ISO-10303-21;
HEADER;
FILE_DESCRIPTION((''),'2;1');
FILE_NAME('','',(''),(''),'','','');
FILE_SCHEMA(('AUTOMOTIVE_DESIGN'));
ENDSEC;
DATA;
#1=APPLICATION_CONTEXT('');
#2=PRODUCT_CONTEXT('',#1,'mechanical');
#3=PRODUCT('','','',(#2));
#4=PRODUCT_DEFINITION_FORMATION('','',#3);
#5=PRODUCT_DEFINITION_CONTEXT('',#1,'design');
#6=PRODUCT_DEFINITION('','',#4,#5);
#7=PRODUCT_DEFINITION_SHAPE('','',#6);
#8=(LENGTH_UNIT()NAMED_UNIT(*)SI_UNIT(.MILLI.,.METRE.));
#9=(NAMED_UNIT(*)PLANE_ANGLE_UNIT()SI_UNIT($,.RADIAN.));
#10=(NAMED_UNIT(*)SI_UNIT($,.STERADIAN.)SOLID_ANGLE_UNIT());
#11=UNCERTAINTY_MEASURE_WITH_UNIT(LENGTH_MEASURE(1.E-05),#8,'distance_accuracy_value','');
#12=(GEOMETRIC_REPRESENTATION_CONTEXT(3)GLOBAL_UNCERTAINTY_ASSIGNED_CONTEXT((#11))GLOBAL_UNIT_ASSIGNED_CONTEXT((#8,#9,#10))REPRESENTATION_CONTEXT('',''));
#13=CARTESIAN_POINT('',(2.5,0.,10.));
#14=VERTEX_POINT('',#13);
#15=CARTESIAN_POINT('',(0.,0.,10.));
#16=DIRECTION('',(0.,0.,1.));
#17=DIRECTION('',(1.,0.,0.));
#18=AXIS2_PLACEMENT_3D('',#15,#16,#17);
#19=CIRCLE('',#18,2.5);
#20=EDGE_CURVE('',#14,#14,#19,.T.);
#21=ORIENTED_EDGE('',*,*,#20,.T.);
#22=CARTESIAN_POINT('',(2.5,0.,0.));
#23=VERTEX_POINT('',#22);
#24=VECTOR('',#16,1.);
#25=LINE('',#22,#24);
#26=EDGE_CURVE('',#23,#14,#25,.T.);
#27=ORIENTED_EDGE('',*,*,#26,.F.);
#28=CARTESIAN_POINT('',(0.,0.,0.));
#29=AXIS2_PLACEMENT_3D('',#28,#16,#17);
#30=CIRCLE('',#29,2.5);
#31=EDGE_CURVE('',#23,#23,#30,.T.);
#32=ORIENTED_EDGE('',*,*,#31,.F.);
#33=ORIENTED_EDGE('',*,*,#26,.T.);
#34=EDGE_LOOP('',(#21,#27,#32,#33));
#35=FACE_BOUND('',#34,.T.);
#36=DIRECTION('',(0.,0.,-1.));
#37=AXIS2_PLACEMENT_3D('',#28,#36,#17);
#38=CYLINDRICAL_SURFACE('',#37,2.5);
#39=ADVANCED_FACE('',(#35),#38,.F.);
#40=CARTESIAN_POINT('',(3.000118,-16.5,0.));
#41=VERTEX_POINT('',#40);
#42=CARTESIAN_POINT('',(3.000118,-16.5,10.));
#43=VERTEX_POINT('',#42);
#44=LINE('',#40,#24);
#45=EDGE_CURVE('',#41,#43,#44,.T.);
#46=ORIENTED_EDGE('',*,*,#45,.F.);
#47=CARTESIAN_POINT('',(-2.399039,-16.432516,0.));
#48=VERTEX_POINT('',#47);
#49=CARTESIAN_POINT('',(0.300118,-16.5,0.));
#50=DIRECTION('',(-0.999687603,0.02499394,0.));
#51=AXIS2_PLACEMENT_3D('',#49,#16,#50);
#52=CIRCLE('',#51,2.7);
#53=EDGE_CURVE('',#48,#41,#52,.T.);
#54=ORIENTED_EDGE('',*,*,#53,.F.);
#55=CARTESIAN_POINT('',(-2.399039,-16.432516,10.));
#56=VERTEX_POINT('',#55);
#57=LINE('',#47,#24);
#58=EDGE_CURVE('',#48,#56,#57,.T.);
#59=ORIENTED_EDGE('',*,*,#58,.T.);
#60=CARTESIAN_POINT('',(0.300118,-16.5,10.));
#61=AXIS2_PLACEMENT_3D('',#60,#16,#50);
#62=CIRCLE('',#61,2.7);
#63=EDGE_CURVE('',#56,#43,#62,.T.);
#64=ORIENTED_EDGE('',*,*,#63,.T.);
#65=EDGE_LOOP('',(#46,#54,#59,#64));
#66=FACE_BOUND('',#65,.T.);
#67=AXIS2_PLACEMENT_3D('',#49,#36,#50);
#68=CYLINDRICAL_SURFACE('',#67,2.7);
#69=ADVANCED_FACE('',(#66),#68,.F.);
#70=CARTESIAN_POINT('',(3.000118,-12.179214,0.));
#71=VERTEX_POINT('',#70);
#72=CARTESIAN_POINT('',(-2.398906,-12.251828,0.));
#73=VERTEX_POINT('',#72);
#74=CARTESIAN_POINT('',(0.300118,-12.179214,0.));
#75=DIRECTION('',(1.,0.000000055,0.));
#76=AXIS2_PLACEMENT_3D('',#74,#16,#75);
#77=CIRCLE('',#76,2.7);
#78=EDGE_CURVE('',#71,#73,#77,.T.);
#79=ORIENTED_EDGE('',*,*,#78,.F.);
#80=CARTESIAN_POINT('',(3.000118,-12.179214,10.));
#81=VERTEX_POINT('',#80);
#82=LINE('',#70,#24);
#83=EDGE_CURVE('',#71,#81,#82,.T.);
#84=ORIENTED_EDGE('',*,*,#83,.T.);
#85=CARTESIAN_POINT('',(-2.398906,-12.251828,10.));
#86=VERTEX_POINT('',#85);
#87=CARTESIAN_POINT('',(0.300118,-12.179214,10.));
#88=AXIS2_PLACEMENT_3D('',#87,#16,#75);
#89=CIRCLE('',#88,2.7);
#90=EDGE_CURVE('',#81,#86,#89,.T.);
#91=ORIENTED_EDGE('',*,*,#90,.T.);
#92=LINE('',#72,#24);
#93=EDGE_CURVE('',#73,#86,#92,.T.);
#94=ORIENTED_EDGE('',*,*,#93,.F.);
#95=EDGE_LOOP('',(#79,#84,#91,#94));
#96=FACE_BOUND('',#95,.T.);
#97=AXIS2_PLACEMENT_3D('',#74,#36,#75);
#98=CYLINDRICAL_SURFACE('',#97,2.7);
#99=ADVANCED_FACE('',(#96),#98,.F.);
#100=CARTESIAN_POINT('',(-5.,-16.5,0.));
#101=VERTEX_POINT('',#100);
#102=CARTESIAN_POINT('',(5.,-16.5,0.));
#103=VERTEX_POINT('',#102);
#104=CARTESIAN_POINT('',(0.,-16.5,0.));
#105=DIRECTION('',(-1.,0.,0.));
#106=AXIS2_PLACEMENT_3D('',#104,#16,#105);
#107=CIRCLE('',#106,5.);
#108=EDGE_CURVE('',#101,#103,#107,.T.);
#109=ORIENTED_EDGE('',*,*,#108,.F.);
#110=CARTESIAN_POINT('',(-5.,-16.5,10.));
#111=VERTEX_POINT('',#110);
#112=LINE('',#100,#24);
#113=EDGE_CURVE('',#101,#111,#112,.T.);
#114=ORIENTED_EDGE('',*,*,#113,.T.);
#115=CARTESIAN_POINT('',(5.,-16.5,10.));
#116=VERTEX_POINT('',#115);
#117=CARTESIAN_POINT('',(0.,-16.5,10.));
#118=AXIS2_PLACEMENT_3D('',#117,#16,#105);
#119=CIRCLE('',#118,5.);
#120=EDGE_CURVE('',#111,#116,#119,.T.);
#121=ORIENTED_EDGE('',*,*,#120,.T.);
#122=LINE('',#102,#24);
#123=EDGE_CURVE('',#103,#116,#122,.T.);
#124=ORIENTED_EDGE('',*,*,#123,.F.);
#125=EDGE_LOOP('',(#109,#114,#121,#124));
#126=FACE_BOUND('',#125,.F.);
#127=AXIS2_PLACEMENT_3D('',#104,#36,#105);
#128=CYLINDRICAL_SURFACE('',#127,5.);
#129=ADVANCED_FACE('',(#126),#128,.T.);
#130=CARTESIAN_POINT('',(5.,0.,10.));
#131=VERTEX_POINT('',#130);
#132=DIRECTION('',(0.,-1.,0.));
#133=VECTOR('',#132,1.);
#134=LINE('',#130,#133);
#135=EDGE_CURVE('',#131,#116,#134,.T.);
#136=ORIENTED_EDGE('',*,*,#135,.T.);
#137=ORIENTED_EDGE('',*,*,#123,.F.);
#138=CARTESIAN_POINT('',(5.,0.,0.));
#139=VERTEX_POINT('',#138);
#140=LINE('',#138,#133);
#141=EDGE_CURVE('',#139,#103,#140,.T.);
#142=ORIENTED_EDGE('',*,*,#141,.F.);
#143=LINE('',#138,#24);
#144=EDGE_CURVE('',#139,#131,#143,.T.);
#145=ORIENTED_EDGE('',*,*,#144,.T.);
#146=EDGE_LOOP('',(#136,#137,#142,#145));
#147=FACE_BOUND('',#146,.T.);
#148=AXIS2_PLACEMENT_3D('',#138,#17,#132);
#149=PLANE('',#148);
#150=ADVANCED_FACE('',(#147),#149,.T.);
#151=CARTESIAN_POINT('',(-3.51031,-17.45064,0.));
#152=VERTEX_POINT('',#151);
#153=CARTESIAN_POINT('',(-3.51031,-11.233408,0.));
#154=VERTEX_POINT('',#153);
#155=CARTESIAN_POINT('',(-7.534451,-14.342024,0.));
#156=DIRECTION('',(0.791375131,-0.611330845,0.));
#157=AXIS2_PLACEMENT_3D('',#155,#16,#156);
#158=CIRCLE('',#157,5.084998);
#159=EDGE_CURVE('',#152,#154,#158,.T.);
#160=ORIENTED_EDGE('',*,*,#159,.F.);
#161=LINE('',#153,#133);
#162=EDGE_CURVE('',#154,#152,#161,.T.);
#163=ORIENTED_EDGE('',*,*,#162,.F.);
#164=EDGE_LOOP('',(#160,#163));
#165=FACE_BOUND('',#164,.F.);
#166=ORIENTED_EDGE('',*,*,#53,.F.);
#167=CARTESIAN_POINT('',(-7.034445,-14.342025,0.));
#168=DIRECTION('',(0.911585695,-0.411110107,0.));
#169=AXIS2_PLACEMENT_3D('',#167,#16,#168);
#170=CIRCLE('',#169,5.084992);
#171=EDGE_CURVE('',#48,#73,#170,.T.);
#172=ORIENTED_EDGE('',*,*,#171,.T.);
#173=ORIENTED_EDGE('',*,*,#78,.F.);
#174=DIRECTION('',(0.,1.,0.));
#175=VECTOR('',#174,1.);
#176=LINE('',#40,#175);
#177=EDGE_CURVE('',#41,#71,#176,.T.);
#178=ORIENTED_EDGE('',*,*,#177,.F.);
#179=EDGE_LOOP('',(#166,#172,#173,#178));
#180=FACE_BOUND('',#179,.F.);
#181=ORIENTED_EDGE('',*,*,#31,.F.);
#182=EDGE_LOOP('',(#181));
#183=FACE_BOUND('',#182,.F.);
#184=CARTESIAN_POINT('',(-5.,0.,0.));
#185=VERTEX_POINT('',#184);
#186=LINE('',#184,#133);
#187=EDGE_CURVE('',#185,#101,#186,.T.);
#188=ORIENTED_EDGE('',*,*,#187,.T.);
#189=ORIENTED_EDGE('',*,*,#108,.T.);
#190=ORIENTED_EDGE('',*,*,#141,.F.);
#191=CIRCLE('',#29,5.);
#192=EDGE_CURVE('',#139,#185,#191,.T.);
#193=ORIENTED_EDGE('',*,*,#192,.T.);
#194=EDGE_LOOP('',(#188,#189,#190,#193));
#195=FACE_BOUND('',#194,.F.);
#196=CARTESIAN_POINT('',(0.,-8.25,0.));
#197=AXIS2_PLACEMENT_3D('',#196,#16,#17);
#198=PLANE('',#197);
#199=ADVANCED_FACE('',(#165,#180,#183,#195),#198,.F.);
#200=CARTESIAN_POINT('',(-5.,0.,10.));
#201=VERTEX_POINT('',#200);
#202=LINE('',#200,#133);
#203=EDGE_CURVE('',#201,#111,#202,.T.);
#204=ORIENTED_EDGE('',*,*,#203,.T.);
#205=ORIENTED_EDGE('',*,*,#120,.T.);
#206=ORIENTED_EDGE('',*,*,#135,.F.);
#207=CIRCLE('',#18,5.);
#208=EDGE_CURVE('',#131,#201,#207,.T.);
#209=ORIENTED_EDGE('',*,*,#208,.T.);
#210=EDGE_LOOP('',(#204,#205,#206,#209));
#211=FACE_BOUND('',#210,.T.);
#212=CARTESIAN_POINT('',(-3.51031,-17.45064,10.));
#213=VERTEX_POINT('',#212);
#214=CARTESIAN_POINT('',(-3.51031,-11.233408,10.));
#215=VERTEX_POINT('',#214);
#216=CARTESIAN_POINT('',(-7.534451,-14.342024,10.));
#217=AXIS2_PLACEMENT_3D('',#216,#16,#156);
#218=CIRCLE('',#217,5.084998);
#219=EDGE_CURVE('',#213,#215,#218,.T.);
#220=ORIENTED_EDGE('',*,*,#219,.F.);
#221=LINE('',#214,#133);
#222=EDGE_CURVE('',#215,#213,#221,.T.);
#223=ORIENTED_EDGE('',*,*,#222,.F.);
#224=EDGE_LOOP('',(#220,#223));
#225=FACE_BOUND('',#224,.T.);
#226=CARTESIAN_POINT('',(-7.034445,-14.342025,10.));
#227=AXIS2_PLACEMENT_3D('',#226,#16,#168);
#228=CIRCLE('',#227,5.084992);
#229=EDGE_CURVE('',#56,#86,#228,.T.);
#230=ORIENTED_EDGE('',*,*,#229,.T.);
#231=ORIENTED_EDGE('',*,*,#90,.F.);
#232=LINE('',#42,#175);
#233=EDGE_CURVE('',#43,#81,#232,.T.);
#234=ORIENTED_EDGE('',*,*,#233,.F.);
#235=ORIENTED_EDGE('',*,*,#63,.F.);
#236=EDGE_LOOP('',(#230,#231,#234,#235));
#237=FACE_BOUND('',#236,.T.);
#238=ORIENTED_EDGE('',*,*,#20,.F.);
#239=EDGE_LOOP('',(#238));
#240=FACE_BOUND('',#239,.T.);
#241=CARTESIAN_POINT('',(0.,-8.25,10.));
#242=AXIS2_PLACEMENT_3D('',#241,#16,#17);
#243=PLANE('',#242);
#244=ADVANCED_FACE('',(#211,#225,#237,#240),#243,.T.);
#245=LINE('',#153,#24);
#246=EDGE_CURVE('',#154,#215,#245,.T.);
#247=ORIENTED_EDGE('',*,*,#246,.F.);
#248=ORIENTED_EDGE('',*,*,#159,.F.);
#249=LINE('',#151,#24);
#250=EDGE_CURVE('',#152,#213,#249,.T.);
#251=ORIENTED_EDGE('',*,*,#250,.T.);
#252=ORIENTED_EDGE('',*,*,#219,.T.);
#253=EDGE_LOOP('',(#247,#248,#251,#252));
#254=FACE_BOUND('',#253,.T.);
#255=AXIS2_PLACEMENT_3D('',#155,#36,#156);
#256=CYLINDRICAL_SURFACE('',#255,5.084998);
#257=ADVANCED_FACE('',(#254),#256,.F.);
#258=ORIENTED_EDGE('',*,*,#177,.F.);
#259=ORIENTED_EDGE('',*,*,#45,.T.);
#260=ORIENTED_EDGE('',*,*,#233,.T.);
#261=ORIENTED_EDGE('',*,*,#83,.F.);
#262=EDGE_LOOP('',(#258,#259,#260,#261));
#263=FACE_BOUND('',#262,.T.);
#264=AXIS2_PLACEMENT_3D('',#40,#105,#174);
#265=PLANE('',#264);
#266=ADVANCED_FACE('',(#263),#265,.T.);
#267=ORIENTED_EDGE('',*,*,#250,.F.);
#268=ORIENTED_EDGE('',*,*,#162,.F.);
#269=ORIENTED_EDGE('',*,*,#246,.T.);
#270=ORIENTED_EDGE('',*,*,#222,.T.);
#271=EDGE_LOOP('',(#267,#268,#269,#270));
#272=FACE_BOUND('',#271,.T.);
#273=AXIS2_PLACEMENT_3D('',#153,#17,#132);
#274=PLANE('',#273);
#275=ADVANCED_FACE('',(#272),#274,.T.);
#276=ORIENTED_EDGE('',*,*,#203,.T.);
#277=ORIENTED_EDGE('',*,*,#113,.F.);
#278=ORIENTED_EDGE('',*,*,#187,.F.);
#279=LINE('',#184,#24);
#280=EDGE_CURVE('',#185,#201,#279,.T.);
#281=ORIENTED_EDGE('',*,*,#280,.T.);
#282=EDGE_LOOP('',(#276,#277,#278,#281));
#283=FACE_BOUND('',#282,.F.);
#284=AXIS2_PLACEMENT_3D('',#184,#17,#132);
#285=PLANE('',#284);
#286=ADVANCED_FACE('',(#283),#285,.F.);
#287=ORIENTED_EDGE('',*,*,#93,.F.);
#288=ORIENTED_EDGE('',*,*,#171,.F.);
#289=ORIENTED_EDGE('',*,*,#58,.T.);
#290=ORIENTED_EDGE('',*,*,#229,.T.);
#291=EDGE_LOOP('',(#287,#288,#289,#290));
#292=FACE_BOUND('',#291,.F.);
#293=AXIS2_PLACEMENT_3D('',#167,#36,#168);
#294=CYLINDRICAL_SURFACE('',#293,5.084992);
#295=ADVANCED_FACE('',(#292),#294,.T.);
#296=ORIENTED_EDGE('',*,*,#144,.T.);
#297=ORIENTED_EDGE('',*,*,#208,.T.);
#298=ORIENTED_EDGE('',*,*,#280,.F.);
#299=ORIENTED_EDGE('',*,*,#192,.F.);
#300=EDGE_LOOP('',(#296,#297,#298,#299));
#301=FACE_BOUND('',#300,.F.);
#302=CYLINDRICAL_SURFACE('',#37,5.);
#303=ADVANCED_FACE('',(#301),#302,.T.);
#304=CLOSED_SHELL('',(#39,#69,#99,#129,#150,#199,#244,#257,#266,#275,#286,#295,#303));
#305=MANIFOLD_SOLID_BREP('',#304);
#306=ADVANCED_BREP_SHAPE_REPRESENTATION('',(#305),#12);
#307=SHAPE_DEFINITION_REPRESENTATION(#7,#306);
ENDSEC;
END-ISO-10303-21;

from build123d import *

# Parameters (mm, degrees)
SKETCH_R      = 2.5
EXTRUDE_DEPTH = 10


with BuildPart() as part:
    # Sketch → Extrude (new body)
    with BuildSketch(Plane.XY):
        with BuildLine():
            ThreePointArc((5, 0), (0, 5), (-5, 0))
            Line((-5, 0), (-5, -16.5))
            ThreePointArc((-5, -16.5), (0, -21.5), (5, -16.5))
            Line((5, 0), (5, -16.5))
        make_face()
        Circle(SKETCH_R, mode=Mode.SUBTRACT)
        with BuildLine():
            ThreePointArc((-2.399039, -16.432516), (0.266373, -19.199789), (3.000118, -16.5))
            Line((3.000118, -16.5), (3.000118, -12.179214))
            ThreePointArc((3.000118, -12.179214), (0.263808, -9.479458), (-2.398906, -12.251828))
            ThreePointArc((-2.399039, -16.432516), (-1.949453, -14.342186), (-2.398906, -12.251828))
        make_face(mode=Mode.SUBTRACT)
        with BuildLine():
            ThreePointArc((-3.51031, -17.45064), (-2.449453, -14.342024), (-3.51031, -11.233408))
            Line((-3.51031, -11.233408), (-3.51031, -17.45064))
        make_face(mode=Mode.SUBTRACT)
    extrude(amount=EXTRUDE_DEPTH)


solid = part.part
